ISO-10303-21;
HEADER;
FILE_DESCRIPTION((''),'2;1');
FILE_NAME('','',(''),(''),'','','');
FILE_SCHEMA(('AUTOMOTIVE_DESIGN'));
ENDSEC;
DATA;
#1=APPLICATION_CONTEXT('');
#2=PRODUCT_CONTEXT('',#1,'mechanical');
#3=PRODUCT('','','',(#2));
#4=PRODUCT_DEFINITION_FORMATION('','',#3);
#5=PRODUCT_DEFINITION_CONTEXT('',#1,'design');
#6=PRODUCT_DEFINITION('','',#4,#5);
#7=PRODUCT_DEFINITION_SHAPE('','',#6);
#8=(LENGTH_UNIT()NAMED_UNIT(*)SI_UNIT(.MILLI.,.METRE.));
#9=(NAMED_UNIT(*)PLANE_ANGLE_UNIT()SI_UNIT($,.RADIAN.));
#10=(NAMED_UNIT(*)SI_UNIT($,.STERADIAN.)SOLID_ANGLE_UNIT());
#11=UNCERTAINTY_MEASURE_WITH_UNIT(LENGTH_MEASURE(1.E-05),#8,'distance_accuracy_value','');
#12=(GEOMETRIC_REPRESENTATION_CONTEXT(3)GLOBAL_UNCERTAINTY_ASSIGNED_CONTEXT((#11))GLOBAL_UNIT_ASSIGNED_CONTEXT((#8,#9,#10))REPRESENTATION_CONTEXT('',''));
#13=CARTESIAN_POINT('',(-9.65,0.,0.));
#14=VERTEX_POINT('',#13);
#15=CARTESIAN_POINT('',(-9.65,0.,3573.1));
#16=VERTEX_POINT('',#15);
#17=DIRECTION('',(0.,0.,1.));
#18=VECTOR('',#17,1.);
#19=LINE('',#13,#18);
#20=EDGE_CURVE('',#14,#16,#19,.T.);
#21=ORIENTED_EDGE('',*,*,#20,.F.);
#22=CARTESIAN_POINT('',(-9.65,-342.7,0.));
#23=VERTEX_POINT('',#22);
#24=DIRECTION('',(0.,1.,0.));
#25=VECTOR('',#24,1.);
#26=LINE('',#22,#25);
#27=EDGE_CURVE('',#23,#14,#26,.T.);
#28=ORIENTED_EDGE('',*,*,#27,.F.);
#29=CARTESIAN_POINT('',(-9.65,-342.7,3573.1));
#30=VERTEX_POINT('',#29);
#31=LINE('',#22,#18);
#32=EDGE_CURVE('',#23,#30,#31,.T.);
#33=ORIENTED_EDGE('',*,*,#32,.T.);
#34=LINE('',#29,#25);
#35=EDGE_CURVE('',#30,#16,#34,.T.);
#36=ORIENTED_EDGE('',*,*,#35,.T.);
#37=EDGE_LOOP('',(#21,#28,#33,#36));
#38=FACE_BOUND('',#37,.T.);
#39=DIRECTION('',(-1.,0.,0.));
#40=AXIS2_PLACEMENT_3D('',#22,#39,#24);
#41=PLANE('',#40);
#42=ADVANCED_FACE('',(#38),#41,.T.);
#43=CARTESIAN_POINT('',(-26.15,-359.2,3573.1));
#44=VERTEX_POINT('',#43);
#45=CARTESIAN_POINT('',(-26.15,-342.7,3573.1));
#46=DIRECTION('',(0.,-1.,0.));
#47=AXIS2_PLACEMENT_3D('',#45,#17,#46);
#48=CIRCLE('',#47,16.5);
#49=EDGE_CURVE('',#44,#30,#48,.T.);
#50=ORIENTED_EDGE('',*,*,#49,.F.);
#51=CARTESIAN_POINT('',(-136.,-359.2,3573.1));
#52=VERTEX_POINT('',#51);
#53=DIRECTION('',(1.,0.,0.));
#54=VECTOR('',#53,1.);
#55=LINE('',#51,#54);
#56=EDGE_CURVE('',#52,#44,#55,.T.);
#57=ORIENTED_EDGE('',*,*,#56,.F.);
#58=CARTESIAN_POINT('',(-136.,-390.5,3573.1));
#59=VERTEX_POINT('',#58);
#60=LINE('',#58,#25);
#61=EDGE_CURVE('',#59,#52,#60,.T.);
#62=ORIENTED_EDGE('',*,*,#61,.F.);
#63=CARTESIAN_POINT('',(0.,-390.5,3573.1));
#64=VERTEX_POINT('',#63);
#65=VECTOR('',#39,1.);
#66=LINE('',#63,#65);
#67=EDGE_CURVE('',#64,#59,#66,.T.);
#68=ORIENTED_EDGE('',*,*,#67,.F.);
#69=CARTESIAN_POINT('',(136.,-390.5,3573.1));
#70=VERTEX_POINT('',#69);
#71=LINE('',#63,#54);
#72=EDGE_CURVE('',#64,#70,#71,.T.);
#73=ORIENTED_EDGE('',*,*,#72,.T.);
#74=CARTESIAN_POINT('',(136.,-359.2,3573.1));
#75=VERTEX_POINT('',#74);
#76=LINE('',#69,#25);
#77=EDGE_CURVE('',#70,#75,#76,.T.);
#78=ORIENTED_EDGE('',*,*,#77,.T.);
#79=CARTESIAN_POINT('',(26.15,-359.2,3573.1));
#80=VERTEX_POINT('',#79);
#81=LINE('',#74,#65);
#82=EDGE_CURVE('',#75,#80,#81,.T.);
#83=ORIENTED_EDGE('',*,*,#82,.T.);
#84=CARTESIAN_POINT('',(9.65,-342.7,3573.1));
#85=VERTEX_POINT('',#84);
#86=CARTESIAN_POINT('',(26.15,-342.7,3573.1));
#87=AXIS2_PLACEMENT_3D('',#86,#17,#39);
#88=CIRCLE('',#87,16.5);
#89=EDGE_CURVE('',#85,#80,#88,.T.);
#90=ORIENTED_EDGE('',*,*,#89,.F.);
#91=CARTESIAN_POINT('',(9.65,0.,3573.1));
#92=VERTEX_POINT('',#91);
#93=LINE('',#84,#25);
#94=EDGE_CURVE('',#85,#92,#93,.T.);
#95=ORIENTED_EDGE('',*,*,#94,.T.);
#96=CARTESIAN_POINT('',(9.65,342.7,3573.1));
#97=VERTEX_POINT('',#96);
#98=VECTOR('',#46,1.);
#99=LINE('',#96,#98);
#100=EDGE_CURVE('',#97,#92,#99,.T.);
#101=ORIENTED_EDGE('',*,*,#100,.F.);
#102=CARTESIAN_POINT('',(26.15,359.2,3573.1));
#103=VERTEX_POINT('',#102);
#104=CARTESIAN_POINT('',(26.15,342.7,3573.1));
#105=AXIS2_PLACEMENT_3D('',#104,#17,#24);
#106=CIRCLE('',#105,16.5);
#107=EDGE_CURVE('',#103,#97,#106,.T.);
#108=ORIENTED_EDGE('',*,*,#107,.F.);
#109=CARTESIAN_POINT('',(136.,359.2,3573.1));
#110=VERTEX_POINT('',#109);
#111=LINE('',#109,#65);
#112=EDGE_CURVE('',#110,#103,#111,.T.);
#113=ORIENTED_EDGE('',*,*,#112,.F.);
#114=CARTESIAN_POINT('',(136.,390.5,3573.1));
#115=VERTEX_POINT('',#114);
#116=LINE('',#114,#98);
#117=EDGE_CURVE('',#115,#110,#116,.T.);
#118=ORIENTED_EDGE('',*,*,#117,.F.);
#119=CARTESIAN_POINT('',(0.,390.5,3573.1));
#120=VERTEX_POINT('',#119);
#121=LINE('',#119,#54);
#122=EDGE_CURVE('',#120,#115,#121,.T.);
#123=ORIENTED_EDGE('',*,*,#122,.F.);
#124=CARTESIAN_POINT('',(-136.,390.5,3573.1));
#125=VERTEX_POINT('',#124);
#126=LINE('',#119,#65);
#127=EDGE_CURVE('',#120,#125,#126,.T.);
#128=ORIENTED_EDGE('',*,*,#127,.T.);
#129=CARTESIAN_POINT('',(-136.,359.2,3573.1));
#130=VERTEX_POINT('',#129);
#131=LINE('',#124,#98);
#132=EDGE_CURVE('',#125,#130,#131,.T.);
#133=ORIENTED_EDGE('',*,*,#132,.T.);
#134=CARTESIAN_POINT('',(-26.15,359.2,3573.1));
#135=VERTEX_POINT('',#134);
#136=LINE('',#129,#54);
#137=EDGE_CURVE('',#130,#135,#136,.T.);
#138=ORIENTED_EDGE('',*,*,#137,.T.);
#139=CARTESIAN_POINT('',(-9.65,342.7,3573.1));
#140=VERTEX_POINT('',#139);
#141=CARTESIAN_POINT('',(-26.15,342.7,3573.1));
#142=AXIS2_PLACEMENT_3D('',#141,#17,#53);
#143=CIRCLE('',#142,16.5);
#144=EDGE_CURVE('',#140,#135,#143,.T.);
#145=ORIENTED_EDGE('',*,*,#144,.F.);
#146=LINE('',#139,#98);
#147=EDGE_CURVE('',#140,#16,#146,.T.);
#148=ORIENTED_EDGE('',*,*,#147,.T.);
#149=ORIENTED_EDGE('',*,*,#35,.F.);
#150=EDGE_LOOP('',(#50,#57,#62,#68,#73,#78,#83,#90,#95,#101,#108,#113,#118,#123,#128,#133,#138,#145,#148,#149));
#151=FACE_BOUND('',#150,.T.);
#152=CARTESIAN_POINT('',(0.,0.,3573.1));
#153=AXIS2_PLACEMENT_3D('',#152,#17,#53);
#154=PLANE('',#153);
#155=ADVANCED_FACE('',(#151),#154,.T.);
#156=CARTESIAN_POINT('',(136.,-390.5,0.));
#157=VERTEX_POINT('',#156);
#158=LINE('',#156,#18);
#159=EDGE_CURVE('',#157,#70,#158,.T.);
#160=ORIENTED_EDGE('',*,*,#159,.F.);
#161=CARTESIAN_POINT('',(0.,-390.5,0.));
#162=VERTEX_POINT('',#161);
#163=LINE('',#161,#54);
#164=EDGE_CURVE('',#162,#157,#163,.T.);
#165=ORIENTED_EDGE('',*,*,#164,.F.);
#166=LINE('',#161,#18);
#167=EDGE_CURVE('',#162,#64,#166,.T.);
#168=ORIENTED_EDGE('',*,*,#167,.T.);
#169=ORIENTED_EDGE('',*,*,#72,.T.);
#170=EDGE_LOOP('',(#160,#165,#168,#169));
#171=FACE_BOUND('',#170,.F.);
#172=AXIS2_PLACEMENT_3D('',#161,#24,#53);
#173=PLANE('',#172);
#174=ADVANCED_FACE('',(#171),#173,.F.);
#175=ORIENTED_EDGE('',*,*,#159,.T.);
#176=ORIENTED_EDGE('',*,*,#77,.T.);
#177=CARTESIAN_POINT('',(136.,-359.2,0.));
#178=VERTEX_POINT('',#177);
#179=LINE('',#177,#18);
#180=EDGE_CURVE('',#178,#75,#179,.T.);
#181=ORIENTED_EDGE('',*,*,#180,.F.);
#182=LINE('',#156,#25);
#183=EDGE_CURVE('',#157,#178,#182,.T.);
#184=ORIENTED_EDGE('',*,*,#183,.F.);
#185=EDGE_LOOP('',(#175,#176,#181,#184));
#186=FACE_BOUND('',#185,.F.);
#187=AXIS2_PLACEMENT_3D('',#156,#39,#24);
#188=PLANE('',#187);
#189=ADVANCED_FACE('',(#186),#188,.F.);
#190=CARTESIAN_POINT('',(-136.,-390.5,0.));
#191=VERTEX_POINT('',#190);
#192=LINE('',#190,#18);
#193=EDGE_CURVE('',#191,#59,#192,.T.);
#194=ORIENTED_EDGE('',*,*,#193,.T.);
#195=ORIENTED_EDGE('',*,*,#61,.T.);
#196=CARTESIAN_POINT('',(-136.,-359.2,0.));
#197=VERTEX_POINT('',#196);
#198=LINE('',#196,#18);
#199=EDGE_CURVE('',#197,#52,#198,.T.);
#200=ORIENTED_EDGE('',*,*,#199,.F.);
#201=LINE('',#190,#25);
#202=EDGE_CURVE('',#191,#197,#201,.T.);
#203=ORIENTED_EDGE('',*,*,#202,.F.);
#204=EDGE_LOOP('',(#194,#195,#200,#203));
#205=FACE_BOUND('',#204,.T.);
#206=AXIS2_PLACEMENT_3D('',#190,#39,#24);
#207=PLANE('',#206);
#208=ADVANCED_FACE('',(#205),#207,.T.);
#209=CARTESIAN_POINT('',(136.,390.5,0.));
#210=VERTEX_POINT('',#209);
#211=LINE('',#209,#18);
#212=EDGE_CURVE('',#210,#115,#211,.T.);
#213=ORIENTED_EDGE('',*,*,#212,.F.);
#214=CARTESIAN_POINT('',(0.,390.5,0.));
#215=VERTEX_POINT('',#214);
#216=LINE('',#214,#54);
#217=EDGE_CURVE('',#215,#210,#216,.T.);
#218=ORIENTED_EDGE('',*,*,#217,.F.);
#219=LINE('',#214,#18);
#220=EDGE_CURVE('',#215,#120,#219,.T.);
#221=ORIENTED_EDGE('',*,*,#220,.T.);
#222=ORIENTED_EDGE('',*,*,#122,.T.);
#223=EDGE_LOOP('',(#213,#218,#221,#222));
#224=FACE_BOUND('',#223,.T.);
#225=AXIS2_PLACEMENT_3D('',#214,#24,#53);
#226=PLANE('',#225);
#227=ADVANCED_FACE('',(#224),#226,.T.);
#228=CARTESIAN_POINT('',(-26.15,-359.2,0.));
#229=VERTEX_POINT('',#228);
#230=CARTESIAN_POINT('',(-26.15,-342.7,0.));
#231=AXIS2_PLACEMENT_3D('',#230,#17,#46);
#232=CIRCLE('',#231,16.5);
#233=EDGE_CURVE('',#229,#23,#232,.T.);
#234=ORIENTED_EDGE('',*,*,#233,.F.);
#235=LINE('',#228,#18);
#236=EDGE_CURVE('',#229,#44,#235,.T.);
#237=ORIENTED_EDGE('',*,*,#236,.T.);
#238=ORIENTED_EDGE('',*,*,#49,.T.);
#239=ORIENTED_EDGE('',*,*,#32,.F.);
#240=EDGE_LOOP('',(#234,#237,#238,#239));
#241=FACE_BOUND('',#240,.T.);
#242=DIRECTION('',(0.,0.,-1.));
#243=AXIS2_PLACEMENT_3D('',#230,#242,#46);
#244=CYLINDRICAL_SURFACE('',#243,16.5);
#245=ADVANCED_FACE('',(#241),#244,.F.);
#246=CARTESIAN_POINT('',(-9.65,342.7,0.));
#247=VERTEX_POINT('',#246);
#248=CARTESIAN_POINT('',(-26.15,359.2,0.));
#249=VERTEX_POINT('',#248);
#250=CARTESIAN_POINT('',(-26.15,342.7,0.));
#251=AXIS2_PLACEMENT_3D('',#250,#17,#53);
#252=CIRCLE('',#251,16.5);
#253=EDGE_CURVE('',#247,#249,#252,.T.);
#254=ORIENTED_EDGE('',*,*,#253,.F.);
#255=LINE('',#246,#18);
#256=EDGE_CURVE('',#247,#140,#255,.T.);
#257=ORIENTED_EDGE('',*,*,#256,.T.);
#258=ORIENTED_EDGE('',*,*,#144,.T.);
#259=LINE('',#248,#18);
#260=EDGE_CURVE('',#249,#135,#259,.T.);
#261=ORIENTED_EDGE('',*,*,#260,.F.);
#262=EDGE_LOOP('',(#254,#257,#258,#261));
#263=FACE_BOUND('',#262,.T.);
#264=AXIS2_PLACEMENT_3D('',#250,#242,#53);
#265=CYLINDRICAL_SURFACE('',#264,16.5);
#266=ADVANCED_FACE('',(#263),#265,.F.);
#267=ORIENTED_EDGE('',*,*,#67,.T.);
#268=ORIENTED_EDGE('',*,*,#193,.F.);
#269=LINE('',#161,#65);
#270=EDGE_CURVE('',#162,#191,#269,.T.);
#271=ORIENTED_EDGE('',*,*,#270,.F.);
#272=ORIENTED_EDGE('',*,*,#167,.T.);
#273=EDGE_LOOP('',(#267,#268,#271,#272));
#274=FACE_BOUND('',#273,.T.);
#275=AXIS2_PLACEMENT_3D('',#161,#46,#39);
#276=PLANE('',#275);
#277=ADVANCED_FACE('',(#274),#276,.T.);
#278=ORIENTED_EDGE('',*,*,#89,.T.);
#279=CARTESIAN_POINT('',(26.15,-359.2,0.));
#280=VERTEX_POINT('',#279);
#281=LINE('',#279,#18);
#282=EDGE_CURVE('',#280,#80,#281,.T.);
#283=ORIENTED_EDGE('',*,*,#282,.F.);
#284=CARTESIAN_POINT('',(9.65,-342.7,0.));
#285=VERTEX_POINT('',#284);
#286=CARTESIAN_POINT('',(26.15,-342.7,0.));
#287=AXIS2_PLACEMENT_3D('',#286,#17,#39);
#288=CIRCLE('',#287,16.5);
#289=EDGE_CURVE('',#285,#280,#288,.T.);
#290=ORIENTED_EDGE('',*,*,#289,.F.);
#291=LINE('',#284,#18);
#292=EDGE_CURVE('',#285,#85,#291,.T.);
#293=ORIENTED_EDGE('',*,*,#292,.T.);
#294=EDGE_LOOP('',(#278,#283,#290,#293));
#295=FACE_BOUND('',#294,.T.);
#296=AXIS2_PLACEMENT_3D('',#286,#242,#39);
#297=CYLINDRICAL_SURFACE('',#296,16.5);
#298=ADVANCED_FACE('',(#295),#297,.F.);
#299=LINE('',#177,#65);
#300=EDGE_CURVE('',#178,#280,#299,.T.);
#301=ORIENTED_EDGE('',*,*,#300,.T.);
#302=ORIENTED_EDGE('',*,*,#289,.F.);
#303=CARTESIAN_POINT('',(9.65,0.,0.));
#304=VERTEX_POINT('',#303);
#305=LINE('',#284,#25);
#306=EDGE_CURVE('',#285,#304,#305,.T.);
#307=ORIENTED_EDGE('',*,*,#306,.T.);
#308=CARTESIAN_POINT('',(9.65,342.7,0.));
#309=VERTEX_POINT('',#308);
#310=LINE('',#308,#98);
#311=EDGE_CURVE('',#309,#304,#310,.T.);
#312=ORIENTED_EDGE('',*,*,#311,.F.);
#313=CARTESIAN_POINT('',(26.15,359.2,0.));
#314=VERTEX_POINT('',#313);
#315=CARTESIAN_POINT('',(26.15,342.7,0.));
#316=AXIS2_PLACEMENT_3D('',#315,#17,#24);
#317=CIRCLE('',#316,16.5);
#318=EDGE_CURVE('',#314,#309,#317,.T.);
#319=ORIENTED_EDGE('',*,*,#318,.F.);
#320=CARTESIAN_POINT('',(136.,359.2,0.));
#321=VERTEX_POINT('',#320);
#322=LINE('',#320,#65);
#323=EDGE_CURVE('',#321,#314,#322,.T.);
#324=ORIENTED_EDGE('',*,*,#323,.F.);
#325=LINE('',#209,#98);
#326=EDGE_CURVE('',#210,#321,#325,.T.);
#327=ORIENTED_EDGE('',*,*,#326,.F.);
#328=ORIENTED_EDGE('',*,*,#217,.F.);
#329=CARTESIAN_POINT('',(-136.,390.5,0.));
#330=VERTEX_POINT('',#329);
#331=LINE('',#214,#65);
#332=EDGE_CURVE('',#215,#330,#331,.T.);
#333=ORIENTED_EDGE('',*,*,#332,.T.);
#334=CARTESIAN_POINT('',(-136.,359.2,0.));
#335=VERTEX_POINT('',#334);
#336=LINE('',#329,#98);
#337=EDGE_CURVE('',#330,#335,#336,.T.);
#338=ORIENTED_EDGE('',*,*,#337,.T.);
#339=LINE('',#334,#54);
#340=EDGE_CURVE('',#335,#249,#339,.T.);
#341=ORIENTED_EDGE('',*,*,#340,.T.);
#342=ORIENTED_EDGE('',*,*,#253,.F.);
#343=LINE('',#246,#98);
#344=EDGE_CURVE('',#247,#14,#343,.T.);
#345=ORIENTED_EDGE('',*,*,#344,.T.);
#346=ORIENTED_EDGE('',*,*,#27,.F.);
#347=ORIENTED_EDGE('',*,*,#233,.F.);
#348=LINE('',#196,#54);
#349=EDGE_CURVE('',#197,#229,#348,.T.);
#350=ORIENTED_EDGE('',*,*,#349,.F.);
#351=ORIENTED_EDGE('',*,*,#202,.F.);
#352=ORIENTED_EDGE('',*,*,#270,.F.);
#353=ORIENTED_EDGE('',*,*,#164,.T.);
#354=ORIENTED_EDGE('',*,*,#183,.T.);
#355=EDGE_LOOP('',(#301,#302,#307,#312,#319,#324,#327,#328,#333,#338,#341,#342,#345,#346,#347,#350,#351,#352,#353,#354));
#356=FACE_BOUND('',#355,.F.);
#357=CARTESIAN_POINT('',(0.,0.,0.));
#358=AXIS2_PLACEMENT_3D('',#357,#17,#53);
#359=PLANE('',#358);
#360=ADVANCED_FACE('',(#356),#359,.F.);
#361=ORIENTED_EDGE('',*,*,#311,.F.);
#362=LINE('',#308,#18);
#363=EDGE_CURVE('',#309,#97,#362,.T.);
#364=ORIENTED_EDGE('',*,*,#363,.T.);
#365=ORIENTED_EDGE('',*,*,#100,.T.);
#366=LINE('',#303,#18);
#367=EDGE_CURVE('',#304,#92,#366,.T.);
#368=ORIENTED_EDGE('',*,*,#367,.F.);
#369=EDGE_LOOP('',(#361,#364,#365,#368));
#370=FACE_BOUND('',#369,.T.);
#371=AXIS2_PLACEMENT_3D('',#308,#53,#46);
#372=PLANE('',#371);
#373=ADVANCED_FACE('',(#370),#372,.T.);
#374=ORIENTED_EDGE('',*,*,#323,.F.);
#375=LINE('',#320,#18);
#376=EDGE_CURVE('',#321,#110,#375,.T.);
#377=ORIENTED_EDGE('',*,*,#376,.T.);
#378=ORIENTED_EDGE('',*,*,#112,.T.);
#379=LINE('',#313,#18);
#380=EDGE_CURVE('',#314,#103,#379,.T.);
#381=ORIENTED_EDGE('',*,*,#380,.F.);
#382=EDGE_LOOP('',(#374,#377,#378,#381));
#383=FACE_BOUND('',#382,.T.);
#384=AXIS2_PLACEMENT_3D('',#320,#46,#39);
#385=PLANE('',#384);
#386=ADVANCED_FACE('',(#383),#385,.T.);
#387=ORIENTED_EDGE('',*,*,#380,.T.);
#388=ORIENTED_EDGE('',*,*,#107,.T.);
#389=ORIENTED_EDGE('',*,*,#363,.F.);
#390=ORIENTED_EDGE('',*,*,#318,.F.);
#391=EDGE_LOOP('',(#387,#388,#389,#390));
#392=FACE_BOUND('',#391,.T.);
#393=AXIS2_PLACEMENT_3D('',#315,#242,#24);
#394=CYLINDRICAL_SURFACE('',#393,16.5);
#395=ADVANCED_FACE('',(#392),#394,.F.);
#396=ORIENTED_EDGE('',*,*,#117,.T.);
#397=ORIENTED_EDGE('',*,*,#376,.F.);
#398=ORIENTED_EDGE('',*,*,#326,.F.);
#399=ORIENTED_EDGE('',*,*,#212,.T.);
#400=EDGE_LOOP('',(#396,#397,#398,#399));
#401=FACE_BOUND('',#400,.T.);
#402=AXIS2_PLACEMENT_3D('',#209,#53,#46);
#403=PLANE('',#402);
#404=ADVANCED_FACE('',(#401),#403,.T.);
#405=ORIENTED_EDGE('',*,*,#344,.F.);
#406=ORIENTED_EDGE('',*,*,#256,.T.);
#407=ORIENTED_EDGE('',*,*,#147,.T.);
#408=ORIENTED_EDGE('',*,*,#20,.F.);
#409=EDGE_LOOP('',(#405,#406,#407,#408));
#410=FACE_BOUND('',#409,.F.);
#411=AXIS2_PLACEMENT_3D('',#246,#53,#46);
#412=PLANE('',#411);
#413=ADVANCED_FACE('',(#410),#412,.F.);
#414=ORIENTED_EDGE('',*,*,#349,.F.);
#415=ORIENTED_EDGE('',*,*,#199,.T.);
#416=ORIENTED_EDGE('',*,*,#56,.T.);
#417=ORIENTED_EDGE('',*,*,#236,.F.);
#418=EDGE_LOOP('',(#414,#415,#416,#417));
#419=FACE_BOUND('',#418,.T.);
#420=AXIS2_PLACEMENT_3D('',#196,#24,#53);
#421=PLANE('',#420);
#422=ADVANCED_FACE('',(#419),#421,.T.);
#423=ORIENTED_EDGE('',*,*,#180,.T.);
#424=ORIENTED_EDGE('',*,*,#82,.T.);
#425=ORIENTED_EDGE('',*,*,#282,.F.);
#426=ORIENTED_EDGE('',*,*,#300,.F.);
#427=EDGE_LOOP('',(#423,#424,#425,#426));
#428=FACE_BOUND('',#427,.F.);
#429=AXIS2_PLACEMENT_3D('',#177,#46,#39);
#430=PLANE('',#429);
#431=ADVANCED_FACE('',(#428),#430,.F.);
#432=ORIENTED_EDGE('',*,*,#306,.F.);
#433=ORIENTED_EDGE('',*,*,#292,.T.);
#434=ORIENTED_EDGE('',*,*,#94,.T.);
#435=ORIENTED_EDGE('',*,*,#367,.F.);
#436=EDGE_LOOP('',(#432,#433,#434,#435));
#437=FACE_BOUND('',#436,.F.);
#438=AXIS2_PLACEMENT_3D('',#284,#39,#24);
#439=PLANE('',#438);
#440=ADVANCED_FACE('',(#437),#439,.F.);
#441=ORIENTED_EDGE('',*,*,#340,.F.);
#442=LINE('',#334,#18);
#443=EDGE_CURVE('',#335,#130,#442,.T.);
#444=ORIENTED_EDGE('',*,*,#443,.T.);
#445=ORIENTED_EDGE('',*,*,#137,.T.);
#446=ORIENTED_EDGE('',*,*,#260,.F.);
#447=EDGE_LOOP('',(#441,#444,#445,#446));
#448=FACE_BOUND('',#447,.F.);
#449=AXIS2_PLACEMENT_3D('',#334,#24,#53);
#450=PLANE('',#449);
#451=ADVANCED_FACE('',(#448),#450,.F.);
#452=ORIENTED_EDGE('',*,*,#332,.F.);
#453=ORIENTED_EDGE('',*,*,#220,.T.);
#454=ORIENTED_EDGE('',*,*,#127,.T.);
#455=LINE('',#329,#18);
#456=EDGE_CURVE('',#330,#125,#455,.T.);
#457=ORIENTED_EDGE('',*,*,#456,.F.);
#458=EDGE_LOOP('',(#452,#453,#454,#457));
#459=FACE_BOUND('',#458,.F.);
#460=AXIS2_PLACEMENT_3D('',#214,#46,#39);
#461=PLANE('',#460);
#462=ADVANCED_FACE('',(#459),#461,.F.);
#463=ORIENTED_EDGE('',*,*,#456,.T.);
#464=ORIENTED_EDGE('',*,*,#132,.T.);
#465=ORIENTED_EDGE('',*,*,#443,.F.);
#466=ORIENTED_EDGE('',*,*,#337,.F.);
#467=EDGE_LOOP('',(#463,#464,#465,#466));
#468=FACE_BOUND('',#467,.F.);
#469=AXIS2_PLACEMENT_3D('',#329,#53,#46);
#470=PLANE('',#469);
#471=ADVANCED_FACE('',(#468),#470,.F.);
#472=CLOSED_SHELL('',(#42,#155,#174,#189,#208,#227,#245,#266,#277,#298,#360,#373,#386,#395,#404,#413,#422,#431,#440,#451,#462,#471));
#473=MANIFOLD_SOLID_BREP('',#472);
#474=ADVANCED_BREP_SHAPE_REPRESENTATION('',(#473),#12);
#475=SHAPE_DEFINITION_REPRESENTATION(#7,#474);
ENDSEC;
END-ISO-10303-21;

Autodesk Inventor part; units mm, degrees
ref_plane "YZ Plane" through (0, 0, 0) normal (1, 0, 0) x (0, 1, 0)
ref_plane "Start plane" through (0, 0, 0) normal (0, 0, 1) x (1, 0, 0)
ref_plane "End plane" through (0, 0, 3573.1) normal (0, 0, 1) x (1, 0, 0)
sketch "Sketch" plane through (0, 0, 0) normal (0, 0, 1) x (1, 0, 0)
  line L0 (-136, -390.5) -> (-136, -359.2)
  line L1 (-136, -359.2) -> (-26.15, -359.2)
  line L2 (-9.65, -342.7) -> (-9.65, 0)
  line L3 (-9.65, 0) -> (0, 0) construction
  line L4 (0, 0) -> (0, -390.5) construction
  line L5 (0, -390.5) -> (-136, -390.5)
  line L6 (-60, 0) -> (80, 0) construction
  line L7 (0, -60) -> (0, 80) construction
  line L8 (136, -390.5) -> (136, -359.2)
  line L9 (136, -359.2) -> (26.15, -359.2)
  line L10 (9.65, -342.7) -> (9.65, 0)
  line L11 (9.65, 0) -> (0, 0) construction
  line L12 (0, -390.5) -> (136, -390.5)
  line L13 (-136, 390.5) -> (-136, 359.2)
  line L14 (-136, 359.2) -> (-26.15, 359.2)
  line L15 (-9.65, 342.7) -> (-9.65, 0)
  line L16 (0, 390.5) -> (-136, 390.5)
  line L17 (136, 390.5) -> (136, 359.2)
  line L18 (136, 359.2) -> (26.15, 359.2)
  line L19 (0, 390.5) -> (136, 390.5)
  line L20 (9.65, 342.7) -> (9.65, 0)
  arc A0 (-9.65, 342.7) -> (-26.15, 359.2) centre (-26.15, 342.7) ccw
  arc A1 (26.15, 359.2) -> (9.65, 342.7) centre (26.15, 342.7) ccw
  arc A2 (9.65, -342.7) -> (26.15, -359.2) centre (26.15, -342.7) ccw
  arc A3 (-26.15, -359.2) -> (-9.65, -342.7) centre (-26.15, -342.7) ccw
  line L21 (0, 108) -> (0, -88) construction
  line L22 (-88, 0) -> (108, 0) construction
  point P0 (-9.65, -359.2)
  point P1 (9.65, -359.2)
  point P2 (-9.65, 359.2)
  point P3 (9.65, 359.2)
  dimension "d1" = 390.5
  dimension "d2" = 31.3
  dimension "d3" = 136
  dimension "d4" = 9.65
  dimension "d10" = 16.5
extrude "Body" add sketch "Sketch" along normal up to surface (3573.1 mm away) from surface at 0
sketch "Sketch4" plane through (0, 0, 0) normal (0, 0, 1) x (1, 0, 0)
  line L0 (0, 0) -> (10, 0)
ref_plane "Work Plane3" through (0, 0, 0) normal (0, -1, 0) x (1, 0, 0)
sketch "Sketch5" plane through (0, 0, 0) normal (0, -1, 0) x (1, 0, 0)
  line L0 (-2, 0) -> (12, 0) projected
  line L1 (-2, 3573.1) -> (12, 3573.1) projected
  dimension "d14" = 3573.1
equation "\"d1\" = 0.5 * G_H"
equation "\"d2\" = G_T1"
equation "\"d3\" = 0.5 * G_W"
equation "\"d4\" = 0.5 * G_T"
equation "\"d10\" = G_IR"
equation "\"d5\" = G_L"
equation "\"G_W\" = 272"
equation "\"G_H\" = 781"
equation "\"G_T\" = 19.3"
equation "\"G_T1\" = 31.3"
equation "\"G_IR\" = 16.5"
equation "\"G_L\" = d14"
equation "\"G_OFFSET_START\" = 0"
equation "\"G_OFFSET_END\" = 0"
equation "\"d12\" = G_OFFSET_END + B_L"
equation "\"B_L\" = 3573.1"
properties part number "AS 3679-1990 - 760 UB - 244 - 3573.1" material "Steel, Mild"
